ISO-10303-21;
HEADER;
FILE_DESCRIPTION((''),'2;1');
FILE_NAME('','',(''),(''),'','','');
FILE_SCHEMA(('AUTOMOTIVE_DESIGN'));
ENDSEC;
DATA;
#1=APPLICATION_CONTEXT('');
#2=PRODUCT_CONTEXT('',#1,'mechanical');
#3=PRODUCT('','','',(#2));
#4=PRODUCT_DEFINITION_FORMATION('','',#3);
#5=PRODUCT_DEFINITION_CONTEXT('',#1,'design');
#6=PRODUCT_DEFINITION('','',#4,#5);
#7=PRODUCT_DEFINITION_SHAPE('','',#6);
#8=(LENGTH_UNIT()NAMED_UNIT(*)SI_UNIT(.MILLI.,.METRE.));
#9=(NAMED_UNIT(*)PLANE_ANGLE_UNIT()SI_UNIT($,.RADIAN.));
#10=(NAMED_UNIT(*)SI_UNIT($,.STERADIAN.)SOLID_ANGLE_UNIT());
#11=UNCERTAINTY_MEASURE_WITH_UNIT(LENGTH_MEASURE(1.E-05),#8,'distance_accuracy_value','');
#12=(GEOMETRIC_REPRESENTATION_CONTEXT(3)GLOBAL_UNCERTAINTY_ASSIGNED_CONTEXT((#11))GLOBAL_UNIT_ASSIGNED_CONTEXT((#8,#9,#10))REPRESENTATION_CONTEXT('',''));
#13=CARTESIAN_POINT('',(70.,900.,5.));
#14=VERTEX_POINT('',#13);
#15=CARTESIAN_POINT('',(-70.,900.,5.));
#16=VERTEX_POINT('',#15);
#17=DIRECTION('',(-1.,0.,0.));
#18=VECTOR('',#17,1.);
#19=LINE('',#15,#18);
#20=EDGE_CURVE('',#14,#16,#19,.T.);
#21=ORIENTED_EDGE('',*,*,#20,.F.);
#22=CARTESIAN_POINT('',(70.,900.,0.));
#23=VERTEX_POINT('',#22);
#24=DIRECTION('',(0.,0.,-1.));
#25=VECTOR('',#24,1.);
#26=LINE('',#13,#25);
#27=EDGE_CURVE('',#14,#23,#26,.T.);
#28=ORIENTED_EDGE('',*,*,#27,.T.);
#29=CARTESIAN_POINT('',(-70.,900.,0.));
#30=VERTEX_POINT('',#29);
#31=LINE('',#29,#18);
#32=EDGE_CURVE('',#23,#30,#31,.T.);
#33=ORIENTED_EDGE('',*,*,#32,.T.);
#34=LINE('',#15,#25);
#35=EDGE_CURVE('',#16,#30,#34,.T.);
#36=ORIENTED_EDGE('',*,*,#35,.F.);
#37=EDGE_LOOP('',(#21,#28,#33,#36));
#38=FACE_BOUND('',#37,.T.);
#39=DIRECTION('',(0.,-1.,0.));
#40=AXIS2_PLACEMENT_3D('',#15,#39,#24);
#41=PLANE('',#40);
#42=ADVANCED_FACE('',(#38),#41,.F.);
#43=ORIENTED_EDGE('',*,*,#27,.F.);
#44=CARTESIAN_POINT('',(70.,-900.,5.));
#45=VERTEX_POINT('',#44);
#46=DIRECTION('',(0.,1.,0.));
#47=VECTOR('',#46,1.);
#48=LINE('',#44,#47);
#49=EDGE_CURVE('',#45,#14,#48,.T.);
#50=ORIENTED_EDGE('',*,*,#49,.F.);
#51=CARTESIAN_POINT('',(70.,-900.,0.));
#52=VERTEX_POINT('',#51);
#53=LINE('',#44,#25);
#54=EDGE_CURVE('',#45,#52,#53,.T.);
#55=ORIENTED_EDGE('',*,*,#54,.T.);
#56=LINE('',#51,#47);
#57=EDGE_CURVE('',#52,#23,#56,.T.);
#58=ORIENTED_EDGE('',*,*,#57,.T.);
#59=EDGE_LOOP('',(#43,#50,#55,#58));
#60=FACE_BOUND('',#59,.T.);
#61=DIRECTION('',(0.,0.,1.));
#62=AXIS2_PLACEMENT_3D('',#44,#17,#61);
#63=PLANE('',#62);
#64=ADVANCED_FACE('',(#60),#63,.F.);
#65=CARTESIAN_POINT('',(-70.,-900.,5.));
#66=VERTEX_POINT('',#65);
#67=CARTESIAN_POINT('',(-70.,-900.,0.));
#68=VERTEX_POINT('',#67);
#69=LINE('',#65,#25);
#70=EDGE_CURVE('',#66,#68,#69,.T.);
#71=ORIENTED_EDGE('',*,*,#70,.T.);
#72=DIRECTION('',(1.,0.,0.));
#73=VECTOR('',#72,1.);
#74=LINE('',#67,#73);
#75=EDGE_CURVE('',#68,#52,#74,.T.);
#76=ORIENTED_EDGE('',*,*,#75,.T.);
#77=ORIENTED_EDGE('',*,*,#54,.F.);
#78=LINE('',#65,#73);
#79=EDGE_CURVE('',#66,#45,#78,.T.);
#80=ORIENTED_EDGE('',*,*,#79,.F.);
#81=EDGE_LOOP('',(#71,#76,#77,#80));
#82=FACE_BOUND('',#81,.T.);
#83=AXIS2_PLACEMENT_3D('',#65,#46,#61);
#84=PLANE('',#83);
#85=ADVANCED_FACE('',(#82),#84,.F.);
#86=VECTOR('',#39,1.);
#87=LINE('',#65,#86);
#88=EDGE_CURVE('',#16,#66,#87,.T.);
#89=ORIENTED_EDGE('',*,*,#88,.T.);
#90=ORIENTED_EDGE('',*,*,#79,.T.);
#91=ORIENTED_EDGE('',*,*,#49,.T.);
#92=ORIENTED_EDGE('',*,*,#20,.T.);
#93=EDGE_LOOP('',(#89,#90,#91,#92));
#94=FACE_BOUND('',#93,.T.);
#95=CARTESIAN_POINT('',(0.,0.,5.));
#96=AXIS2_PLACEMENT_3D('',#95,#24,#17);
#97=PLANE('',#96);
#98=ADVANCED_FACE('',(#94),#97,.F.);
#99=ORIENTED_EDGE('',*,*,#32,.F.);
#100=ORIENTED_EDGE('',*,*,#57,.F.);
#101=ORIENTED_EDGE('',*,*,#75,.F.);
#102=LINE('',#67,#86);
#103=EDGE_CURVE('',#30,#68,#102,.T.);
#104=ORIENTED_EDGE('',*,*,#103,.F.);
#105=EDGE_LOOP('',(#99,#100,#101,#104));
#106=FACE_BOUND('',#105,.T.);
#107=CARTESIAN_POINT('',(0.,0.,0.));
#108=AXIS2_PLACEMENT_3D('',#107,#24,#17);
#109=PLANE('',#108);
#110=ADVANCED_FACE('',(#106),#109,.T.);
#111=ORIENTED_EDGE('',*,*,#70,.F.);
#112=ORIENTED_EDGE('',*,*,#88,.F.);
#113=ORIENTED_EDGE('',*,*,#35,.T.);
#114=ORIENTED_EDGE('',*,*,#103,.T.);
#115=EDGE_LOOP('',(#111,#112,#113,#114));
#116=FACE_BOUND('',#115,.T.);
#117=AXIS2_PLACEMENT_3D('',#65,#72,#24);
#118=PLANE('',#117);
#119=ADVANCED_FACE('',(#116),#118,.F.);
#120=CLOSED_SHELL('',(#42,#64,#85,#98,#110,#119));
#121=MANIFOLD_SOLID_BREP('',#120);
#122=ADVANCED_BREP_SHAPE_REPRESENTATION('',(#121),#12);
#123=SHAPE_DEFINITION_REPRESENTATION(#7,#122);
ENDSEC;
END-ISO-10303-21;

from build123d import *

# Parameters (mm, degrees)
SKETCH2_W           = 140
SKETCH2_H           = 1800
BOSS_EXTRUDE1_DEPTH = 5


with BuildPart() as part:
    # Sketch2 → Boss-Extrude1 (new body)
    with BuildSketch(Plane.XY):
        Rectangle(SKETCH2_W, SKETCH2_H)
    extrude(amount=BOSS_EXTRUDE1_DEPTH)


solid = part.part
